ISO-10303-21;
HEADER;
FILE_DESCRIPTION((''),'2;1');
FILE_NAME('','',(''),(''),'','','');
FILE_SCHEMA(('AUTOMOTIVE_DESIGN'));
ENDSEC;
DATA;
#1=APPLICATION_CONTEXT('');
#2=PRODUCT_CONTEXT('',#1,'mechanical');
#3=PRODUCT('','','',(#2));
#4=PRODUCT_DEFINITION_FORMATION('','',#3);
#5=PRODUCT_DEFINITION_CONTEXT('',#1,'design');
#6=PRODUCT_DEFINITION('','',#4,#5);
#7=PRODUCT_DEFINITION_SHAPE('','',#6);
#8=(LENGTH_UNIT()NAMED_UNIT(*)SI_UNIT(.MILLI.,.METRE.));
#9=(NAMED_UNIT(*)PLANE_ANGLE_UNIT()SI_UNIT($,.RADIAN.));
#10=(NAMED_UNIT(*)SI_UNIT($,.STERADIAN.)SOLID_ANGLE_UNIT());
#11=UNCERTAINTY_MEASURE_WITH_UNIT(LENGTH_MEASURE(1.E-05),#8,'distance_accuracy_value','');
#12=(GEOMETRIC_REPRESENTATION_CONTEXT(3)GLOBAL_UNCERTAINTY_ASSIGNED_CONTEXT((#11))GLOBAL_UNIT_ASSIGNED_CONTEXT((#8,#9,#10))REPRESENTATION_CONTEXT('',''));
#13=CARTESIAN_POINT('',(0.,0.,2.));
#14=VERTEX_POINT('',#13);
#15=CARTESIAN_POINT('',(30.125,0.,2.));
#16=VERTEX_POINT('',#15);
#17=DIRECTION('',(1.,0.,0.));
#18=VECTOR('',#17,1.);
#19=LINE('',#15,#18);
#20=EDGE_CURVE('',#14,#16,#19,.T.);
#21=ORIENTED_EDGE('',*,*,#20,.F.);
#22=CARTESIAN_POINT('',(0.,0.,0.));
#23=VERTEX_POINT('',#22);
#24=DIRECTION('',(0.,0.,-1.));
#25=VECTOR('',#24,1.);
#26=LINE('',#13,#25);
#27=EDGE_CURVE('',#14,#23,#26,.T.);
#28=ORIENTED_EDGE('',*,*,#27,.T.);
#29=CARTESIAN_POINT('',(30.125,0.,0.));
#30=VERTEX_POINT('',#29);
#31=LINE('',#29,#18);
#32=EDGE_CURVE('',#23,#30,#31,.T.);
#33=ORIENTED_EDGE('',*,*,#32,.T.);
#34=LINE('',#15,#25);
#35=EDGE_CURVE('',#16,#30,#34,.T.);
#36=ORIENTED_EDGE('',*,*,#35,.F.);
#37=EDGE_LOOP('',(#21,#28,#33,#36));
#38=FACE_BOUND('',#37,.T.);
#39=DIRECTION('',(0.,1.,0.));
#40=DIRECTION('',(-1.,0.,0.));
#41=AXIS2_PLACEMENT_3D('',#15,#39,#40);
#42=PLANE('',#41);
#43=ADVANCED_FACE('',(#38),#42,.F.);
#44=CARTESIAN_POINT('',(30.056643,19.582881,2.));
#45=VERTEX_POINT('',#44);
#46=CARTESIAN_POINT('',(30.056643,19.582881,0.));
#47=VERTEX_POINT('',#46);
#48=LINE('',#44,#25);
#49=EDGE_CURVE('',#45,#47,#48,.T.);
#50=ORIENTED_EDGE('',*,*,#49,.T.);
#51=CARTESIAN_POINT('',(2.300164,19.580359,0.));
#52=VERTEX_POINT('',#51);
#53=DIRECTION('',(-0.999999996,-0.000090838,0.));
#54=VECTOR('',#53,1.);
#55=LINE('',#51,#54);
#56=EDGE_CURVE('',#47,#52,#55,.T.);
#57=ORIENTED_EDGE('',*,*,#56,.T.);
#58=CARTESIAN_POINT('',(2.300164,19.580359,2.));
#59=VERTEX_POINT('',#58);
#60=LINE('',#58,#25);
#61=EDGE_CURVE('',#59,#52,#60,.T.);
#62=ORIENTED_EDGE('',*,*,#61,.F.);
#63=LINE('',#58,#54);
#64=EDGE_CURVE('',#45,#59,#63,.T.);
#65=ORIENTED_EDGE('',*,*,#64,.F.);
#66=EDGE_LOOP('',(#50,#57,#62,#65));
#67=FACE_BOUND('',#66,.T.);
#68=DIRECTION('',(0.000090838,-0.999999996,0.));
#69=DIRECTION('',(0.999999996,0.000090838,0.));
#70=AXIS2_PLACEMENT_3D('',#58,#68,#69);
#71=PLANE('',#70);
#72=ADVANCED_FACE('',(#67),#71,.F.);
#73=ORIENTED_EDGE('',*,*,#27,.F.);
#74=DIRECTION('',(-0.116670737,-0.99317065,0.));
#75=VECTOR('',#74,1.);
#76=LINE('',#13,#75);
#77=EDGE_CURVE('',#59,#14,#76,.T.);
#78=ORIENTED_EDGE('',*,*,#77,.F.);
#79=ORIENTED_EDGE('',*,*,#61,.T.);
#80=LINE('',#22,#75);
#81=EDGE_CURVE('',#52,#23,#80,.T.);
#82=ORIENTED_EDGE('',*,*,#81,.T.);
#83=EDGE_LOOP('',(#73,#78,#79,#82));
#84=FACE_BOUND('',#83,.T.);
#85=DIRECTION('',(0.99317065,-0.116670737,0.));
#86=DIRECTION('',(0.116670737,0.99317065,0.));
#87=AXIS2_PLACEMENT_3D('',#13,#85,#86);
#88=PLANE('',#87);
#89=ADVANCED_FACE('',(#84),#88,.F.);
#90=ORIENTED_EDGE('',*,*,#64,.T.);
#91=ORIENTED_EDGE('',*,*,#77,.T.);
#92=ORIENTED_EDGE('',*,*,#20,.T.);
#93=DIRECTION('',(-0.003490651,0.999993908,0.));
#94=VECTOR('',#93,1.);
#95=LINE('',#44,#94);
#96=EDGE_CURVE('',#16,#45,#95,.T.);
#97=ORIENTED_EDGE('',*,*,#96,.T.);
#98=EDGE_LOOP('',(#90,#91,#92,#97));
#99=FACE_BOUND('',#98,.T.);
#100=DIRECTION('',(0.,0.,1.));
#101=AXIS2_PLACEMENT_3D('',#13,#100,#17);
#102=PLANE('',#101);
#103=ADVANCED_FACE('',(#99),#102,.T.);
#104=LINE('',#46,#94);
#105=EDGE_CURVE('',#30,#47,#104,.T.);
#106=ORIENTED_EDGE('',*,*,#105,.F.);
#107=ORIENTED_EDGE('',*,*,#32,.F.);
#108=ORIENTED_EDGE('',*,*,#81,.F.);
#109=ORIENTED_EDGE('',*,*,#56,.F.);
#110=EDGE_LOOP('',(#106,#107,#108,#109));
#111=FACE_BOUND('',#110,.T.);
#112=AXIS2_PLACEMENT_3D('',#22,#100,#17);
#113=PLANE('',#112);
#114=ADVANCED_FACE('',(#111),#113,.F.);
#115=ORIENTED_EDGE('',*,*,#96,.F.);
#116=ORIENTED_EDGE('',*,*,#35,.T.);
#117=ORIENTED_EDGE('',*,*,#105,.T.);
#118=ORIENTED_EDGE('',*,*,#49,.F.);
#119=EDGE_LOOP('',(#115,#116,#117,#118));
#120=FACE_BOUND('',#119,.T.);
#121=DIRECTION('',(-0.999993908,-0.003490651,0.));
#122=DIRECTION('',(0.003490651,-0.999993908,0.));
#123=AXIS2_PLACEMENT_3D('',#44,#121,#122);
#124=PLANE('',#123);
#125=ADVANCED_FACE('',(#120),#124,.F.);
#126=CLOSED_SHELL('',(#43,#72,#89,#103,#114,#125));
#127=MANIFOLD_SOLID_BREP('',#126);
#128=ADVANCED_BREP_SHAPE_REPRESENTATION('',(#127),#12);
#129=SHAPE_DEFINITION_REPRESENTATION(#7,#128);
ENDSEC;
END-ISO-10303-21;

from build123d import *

# Parameters (mm, degrees)
AUFSATZ_LINEAR_AUSTRAGEN1_DEPTH = 2


with BuildPart() as part:
    # Skizze1 → Aufsatz-Linear austragen1 (new body)
    with BuildSketch(Plane.XY):
        Polygon((0, 0), (2.300163582, 19.580359356), (30.056642573, 19.582880694), (30.125, 0), align=None)
    extrude(amount=AUFSATZ_LINEAR_AUSTRAGEN1_DEPTH)


solid = part.part
